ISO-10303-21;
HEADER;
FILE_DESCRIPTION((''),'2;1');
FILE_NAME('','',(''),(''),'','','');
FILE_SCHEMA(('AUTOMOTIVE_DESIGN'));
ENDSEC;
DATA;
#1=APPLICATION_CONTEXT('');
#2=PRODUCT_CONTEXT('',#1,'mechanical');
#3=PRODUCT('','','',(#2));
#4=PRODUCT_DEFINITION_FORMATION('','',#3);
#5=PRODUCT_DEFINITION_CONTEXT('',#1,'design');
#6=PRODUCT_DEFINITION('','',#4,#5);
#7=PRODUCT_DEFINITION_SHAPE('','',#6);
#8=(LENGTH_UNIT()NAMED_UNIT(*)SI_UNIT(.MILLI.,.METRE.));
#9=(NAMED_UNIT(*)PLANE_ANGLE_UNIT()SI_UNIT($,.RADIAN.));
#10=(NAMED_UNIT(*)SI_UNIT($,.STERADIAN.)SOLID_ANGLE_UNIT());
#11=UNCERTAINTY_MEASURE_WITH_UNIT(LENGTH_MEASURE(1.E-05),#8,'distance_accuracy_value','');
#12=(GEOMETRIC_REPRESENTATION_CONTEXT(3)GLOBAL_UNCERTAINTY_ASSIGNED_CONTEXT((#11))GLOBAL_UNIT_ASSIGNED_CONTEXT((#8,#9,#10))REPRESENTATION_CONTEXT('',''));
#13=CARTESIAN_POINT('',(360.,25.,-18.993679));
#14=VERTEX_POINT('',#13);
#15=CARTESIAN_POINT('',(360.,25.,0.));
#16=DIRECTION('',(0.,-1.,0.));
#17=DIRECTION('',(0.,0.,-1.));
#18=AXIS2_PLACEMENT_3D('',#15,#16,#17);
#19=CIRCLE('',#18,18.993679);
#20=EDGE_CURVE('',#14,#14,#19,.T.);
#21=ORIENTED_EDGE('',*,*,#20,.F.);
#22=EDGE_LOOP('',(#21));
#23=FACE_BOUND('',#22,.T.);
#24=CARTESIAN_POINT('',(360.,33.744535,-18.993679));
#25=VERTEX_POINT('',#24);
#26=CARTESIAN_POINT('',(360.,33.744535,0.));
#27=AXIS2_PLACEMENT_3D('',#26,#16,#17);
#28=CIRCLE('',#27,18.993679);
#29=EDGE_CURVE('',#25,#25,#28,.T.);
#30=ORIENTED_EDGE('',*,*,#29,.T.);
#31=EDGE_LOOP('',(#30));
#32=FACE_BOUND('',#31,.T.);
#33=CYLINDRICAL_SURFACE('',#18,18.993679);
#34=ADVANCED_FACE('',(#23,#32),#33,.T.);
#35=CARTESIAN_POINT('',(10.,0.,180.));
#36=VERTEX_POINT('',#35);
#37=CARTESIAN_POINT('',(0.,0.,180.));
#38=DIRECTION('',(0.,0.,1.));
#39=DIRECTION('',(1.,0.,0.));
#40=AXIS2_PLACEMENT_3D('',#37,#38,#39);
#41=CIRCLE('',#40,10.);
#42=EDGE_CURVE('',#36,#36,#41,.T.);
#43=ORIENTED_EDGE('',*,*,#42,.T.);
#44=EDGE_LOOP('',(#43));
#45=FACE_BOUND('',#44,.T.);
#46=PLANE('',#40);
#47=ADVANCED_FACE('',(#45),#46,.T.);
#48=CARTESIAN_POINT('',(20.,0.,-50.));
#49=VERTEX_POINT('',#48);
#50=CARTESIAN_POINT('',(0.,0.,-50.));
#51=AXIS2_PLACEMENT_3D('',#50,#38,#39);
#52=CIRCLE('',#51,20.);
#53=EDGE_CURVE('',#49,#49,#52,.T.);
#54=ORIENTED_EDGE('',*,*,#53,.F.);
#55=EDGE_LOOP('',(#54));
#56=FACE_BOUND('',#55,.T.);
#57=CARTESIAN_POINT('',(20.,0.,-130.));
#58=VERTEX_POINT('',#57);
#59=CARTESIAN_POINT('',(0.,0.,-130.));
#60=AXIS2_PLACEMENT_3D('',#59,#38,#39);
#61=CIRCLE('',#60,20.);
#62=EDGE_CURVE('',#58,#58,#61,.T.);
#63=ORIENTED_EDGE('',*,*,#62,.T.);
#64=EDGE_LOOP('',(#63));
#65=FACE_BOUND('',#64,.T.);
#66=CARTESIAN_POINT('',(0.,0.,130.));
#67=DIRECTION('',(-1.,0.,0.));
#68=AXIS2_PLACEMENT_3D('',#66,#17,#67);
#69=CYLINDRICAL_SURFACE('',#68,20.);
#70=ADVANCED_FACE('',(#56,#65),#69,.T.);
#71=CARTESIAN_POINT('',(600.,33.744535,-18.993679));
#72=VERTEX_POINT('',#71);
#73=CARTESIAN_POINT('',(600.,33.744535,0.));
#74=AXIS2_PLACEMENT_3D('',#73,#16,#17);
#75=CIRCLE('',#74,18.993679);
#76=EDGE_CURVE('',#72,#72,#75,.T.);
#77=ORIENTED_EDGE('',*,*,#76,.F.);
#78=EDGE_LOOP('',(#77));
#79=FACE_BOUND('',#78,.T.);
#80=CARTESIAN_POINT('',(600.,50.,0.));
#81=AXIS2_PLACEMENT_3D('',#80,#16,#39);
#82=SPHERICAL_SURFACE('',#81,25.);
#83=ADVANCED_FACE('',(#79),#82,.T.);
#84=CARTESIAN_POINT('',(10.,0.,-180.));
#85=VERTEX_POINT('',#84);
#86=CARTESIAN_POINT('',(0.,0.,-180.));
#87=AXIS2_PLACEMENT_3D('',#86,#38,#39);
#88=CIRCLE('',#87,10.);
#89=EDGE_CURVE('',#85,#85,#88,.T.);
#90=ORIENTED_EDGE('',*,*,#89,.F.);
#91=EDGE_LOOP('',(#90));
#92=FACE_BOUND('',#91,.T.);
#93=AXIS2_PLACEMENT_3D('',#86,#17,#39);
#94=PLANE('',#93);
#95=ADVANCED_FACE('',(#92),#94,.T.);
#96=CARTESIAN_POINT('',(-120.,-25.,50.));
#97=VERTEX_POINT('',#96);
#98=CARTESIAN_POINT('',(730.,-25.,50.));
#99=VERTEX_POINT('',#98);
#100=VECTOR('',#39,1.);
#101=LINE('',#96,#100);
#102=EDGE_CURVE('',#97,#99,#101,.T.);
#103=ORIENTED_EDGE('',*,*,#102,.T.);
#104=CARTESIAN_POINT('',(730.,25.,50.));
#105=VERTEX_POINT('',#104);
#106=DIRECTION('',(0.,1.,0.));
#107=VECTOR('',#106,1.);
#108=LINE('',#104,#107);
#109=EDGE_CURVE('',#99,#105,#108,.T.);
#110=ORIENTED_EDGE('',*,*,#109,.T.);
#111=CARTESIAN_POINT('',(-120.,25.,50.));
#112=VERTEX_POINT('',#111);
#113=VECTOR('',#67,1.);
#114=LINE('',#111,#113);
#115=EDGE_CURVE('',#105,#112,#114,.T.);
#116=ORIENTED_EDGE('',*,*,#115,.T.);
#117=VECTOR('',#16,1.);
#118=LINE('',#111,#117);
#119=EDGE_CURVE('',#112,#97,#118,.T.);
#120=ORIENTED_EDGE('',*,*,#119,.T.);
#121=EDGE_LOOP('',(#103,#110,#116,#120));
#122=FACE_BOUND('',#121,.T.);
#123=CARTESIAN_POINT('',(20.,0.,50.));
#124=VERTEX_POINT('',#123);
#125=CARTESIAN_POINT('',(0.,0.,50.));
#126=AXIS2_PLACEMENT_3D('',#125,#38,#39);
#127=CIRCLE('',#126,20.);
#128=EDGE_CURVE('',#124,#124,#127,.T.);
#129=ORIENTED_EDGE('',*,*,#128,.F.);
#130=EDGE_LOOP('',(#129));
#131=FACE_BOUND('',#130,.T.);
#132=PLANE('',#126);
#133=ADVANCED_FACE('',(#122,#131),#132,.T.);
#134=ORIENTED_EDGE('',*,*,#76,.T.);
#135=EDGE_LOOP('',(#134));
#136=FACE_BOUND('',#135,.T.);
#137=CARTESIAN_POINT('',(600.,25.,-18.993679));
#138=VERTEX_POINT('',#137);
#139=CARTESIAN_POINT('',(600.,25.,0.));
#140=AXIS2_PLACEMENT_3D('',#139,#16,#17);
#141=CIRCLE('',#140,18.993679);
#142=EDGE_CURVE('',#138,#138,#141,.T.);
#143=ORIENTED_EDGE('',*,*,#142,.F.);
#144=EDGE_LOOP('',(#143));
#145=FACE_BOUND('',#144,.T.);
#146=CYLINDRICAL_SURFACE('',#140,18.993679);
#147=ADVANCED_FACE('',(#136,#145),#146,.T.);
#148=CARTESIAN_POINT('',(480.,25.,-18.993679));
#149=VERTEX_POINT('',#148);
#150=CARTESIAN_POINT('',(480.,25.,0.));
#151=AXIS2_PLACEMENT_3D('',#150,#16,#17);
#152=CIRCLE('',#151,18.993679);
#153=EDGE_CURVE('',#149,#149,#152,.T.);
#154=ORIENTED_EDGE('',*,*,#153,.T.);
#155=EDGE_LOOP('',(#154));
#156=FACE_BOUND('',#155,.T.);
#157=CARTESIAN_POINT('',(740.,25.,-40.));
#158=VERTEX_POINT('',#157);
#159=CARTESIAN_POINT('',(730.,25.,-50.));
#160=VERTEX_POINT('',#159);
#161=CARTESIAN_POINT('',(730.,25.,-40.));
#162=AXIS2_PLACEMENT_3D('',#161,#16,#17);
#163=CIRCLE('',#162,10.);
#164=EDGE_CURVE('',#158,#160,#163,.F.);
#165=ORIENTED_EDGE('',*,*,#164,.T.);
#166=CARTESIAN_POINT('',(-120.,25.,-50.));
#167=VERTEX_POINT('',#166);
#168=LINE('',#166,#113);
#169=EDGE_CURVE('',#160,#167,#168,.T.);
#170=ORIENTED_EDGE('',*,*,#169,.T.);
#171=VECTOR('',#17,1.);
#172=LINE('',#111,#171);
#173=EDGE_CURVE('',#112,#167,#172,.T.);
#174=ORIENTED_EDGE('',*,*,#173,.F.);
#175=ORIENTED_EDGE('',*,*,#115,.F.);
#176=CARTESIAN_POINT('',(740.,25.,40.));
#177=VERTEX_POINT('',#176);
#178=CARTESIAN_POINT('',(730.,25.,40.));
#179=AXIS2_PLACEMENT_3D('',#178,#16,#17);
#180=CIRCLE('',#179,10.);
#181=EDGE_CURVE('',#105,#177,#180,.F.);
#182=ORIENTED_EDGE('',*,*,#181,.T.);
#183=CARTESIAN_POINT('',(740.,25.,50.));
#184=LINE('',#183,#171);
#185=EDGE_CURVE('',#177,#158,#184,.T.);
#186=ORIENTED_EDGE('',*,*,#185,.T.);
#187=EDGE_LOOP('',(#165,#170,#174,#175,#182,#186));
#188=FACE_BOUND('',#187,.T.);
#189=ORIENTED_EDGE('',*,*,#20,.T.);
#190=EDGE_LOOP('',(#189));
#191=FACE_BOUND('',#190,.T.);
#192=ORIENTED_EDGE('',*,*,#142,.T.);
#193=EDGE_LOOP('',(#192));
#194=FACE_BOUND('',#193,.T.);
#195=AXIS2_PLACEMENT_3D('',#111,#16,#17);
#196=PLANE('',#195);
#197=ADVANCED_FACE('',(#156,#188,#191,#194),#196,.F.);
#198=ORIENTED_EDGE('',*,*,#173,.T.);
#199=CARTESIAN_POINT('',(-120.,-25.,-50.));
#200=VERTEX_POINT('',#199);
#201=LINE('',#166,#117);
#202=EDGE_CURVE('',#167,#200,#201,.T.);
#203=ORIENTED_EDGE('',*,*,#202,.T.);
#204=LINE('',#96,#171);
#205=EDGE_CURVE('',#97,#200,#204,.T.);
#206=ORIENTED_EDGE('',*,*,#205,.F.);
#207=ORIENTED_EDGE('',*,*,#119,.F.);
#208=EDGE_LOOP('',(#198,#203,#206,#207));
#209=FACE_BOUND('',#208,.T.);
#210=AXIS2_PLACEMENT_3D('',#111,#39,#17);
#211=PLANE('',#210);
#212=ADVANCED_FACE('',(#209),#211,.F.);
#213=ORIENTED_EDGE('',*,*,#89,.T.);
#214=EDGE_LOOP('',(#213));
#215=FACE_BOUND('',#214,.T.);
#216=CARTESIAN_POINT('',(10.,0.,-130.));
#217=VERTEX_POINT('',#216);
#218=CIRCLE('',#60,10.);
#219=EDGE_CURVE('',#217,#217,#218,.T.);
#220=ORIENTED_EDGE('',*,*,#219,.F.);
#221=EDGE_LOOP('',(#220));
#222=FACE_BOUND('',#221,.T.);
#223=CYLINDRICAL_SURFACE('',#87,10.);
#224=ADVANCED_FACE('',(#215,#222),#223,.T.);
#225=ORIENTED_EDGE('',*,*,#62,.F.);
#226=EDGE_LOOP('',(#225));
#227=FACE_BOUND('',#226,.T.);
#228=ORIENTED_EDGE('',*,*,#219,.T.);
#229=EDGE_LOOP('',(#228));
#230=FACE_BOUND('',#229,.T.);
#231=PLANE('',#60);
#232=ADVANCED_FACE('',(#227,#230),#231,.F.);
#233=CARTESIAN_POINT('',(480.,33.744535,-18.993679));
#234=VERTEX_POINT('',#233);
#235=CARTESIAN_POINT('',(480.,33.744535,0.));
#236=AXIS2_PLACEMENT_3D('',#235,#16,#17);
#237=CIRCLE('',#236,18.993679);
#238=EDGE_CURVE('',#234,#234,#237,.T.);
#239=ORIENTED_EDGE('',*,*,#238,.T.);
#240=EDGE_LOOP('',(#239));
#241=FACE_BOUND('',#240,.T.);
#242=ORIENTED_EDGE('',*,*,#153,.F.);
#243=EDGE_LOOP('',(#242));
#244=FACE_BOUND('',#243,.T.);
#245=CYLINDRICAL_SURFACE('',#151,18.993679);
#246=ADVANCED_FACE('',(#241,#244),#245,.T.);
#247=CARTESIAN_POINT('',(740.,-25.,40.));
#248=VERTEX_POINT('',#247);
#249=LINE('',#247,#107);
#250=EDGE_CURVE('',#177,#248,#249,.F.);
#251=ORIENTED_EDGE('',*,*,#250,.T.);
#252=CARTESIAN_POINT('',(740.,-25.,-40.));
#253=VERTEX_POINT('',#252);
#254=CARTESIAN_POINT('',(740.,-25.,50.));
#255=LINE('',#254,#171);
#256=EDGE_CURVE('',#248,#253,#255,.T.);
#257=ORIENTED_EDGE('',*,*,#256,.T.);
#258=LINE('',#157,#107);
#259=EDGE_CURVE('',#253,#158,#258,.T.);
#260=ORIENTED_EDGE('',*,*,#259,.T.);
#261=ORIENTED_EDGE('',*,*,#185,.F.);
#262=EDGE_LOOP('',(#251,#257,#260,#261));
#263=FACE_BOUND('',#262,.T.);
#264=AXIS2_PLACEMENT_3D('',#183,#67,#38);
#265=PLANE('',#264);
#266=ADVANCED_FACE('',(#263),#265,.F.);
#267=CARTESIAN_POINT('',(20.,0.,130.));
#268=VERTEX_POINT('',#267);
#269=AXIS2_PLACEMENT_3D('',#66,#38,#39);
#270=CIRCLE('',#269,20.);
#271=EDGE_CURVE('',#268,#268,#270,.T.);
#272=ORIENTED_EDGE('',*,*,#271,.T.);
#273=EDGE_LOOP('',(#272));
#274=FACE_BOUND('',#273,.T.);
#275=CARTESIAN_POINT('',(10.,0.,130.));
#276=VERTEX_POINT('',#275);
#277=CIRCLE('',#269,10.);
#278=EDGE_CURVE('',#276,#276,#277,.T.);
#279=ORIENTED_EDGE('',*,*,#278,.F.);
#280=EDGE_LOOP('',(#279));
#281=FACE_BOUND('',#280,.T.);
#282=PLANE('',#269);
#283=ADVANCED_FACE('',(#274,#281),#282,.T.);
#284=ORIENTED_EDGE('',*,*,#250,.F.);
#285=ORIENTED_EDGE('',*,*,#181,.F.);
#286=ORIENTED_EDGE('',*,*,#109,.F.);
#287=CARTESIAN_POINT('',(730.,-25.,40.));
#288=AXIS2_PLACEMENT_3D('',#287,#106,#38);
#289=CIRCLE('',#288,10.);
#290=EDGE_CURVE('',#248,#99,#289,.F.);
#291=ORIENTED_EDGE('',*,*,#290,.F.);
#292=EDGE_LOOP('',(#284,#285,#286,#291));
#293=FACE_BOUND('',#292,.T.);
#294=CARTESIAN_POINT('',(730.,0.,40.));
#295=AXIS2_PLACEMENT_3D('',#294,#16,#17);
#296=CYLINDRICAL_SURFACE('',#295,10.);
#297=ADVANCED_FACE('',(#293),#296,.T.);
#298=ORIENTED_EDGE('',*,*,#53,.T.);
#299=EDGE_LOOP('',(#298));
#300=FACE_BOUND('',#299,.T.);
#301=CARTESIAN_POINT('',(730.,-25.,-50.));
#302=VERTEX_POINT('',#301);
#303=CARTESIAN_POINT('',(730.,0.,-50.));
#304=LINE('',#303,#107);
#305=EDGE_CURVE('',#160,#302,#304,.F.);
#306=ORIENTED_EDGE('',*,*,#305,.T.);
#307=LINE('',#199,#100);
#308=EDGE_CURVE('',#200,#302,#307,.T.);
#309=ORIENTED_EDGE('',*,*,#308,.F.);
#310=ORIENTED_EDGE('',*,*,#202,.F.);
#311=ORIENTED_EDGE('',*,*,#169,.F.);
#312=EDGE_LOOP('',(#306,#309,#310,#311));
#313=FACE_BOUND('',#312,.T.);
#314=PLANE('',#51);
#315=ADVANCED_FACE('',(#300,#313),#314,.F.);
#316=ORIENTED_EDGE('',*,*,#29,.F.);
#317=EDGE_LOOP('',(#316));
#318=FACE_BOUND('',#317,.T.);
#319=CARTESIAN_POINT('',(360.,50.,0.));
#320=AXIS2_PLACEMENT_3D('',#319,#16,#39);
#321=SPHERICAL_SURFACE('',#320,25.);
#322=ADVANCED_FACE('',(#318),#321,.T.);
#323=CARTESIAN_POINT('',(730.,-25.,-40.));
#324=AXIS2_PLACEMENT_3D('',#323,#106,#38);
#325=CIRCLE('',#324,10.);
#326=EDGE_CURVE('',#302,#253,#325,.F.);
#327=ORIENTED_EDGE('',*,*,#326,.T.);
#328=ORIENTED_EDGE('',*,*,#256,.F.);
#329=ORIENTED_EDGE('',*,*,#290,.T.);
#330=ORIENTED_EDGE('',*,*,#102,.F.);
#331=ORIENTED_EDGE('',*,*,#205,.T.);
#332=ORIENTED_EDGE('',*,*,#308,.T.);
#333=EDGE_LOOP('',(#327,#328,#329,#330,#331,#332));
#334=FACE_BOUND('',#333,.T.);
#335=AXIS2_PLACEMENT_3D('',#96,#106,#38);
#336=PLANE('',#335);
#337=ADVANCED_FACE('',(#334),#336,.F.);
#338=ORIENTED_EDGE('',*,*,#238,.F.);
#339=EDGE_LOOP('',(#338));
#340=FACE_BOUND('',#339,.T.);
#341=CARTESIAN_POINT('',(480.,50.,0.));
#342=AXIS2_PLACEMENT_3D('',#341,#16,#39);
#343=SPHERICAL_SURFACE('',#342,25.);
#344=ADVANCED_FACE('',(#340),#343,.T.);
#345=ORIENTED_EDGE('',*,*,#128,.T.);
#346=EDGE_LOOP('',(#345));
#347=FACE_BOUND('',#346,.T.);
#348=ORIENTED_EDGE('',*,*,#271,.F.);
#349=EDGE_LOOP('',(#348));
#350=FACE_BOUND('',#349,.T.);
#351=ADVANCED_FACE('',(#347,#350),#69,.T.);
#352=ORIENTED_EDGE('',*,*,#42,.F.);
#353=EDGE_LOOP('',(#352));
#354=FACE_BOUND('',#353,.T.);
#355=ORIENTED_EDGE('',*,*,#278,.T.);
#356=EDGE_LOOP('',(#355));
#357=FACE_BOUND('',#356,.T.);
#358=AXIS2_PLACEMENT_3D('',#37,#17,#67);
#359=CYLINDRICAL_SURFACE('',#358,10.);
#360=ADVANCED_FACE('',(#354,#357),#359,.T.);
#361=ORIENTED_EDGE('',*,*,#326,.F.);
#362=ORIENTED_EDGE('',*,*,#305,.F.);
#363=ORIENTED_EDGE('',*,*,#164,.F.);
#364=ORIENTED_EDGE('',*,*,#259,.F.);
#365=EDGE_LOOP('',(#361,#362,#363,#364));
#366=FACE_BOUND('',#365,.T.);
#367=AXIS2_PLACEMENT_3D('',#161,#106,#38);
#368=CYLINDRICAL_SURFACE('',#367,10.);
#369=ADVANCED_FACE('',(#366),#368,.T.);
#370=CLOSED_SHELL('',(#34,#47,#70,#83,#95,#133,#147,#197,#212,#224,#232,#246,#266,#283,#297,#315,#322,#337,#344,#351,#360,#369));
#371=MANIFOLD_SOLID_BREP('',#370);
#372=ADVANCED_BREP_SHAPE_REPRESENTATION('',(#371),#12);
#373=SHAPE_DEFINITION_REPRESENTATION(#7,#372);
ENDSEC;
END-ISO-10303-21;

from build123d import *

# Parameters (mm, degrees)
SKETCH_1_R              = 20
EXTRUDE_1_DEPTH         = 130
SKETCH_2_W              = 860
SKETCH_2_H              = 50
EXTRUDE_2_DEPTH         = 50
SKETCH_3_R              = 10
EXTRUDE_3_DEPTH         = 50
PATTERN_LINEAR_16_COUNT = 3
PATTERN_LINEAR_16_PITCH = 120
FILLET_1_R              = 10


with BuildPart() as part:
    # 草图1 → 凸台-拉伸1 (new body, symmetric)
    with BuildSketch(Plane.XY):
        Circle(SKETCH_1_R)
    extrude(amount=EXTRUDE_1_DEPTH, both=True)

    # 草图2 → 凸台-拉伸2 (add, symmetric)
    with BuildSketch(Plane.XY):
        with Locations((310, 0)):
            Rectangle(SKETCH_2_W, SKETCH_2_H)
    extrude(amount=EXTRUDE_2_DEPTH, both=True)

    # 草图3 → 凸台-拉伸3 (add)
    with BuildSketch(Plane.XY.offset(130)):
        Circle(SKETCH_3_R)
    extrude_3 = extrude(amount=EXTRUDE_3_DEPTH)

    # 镜向1: 凸台-拉伸3 across plane
    add(extrude_3.mirror(Plane.XY))

    # 草图6 → 旋转3 (revolve)
    with BuildSketch(Plane.XY):
        with BuildLine():
            Line((360, 75), (360, 50))
            Line((360, 50), (360, 25))
            Line((360, 25), (378.993679067, 25))
            Line((378.993679067, 25), (378.993679067, 33.744534596))
            ThreePointArc((378.993679067, 33.744534596), (382.708881909, 60.454983618), (360, 75))
        make_face()
    revolve_3 = revolve(axis=Axis((360, 25, 0), (0, 1, 0)))

    # 阵列(线性)16: 旋转3 ×3
    with Locations(*[(i * PATTERN_LINEAR_16_PITCH, 0, 0) for i in range(1, PATTERN_LINEAR_16_COUNT)]):
        add(revolve_3)

    # 圆角1
    fillet_1_edges = [part.edges().sort_by_distance(p)[0] for p in [
        (740, 0, -50),
        (740, 0, 50),
    ]]
    fillet(fillet_1_edges, radius=FILLET_1_R)


solid = part.part
